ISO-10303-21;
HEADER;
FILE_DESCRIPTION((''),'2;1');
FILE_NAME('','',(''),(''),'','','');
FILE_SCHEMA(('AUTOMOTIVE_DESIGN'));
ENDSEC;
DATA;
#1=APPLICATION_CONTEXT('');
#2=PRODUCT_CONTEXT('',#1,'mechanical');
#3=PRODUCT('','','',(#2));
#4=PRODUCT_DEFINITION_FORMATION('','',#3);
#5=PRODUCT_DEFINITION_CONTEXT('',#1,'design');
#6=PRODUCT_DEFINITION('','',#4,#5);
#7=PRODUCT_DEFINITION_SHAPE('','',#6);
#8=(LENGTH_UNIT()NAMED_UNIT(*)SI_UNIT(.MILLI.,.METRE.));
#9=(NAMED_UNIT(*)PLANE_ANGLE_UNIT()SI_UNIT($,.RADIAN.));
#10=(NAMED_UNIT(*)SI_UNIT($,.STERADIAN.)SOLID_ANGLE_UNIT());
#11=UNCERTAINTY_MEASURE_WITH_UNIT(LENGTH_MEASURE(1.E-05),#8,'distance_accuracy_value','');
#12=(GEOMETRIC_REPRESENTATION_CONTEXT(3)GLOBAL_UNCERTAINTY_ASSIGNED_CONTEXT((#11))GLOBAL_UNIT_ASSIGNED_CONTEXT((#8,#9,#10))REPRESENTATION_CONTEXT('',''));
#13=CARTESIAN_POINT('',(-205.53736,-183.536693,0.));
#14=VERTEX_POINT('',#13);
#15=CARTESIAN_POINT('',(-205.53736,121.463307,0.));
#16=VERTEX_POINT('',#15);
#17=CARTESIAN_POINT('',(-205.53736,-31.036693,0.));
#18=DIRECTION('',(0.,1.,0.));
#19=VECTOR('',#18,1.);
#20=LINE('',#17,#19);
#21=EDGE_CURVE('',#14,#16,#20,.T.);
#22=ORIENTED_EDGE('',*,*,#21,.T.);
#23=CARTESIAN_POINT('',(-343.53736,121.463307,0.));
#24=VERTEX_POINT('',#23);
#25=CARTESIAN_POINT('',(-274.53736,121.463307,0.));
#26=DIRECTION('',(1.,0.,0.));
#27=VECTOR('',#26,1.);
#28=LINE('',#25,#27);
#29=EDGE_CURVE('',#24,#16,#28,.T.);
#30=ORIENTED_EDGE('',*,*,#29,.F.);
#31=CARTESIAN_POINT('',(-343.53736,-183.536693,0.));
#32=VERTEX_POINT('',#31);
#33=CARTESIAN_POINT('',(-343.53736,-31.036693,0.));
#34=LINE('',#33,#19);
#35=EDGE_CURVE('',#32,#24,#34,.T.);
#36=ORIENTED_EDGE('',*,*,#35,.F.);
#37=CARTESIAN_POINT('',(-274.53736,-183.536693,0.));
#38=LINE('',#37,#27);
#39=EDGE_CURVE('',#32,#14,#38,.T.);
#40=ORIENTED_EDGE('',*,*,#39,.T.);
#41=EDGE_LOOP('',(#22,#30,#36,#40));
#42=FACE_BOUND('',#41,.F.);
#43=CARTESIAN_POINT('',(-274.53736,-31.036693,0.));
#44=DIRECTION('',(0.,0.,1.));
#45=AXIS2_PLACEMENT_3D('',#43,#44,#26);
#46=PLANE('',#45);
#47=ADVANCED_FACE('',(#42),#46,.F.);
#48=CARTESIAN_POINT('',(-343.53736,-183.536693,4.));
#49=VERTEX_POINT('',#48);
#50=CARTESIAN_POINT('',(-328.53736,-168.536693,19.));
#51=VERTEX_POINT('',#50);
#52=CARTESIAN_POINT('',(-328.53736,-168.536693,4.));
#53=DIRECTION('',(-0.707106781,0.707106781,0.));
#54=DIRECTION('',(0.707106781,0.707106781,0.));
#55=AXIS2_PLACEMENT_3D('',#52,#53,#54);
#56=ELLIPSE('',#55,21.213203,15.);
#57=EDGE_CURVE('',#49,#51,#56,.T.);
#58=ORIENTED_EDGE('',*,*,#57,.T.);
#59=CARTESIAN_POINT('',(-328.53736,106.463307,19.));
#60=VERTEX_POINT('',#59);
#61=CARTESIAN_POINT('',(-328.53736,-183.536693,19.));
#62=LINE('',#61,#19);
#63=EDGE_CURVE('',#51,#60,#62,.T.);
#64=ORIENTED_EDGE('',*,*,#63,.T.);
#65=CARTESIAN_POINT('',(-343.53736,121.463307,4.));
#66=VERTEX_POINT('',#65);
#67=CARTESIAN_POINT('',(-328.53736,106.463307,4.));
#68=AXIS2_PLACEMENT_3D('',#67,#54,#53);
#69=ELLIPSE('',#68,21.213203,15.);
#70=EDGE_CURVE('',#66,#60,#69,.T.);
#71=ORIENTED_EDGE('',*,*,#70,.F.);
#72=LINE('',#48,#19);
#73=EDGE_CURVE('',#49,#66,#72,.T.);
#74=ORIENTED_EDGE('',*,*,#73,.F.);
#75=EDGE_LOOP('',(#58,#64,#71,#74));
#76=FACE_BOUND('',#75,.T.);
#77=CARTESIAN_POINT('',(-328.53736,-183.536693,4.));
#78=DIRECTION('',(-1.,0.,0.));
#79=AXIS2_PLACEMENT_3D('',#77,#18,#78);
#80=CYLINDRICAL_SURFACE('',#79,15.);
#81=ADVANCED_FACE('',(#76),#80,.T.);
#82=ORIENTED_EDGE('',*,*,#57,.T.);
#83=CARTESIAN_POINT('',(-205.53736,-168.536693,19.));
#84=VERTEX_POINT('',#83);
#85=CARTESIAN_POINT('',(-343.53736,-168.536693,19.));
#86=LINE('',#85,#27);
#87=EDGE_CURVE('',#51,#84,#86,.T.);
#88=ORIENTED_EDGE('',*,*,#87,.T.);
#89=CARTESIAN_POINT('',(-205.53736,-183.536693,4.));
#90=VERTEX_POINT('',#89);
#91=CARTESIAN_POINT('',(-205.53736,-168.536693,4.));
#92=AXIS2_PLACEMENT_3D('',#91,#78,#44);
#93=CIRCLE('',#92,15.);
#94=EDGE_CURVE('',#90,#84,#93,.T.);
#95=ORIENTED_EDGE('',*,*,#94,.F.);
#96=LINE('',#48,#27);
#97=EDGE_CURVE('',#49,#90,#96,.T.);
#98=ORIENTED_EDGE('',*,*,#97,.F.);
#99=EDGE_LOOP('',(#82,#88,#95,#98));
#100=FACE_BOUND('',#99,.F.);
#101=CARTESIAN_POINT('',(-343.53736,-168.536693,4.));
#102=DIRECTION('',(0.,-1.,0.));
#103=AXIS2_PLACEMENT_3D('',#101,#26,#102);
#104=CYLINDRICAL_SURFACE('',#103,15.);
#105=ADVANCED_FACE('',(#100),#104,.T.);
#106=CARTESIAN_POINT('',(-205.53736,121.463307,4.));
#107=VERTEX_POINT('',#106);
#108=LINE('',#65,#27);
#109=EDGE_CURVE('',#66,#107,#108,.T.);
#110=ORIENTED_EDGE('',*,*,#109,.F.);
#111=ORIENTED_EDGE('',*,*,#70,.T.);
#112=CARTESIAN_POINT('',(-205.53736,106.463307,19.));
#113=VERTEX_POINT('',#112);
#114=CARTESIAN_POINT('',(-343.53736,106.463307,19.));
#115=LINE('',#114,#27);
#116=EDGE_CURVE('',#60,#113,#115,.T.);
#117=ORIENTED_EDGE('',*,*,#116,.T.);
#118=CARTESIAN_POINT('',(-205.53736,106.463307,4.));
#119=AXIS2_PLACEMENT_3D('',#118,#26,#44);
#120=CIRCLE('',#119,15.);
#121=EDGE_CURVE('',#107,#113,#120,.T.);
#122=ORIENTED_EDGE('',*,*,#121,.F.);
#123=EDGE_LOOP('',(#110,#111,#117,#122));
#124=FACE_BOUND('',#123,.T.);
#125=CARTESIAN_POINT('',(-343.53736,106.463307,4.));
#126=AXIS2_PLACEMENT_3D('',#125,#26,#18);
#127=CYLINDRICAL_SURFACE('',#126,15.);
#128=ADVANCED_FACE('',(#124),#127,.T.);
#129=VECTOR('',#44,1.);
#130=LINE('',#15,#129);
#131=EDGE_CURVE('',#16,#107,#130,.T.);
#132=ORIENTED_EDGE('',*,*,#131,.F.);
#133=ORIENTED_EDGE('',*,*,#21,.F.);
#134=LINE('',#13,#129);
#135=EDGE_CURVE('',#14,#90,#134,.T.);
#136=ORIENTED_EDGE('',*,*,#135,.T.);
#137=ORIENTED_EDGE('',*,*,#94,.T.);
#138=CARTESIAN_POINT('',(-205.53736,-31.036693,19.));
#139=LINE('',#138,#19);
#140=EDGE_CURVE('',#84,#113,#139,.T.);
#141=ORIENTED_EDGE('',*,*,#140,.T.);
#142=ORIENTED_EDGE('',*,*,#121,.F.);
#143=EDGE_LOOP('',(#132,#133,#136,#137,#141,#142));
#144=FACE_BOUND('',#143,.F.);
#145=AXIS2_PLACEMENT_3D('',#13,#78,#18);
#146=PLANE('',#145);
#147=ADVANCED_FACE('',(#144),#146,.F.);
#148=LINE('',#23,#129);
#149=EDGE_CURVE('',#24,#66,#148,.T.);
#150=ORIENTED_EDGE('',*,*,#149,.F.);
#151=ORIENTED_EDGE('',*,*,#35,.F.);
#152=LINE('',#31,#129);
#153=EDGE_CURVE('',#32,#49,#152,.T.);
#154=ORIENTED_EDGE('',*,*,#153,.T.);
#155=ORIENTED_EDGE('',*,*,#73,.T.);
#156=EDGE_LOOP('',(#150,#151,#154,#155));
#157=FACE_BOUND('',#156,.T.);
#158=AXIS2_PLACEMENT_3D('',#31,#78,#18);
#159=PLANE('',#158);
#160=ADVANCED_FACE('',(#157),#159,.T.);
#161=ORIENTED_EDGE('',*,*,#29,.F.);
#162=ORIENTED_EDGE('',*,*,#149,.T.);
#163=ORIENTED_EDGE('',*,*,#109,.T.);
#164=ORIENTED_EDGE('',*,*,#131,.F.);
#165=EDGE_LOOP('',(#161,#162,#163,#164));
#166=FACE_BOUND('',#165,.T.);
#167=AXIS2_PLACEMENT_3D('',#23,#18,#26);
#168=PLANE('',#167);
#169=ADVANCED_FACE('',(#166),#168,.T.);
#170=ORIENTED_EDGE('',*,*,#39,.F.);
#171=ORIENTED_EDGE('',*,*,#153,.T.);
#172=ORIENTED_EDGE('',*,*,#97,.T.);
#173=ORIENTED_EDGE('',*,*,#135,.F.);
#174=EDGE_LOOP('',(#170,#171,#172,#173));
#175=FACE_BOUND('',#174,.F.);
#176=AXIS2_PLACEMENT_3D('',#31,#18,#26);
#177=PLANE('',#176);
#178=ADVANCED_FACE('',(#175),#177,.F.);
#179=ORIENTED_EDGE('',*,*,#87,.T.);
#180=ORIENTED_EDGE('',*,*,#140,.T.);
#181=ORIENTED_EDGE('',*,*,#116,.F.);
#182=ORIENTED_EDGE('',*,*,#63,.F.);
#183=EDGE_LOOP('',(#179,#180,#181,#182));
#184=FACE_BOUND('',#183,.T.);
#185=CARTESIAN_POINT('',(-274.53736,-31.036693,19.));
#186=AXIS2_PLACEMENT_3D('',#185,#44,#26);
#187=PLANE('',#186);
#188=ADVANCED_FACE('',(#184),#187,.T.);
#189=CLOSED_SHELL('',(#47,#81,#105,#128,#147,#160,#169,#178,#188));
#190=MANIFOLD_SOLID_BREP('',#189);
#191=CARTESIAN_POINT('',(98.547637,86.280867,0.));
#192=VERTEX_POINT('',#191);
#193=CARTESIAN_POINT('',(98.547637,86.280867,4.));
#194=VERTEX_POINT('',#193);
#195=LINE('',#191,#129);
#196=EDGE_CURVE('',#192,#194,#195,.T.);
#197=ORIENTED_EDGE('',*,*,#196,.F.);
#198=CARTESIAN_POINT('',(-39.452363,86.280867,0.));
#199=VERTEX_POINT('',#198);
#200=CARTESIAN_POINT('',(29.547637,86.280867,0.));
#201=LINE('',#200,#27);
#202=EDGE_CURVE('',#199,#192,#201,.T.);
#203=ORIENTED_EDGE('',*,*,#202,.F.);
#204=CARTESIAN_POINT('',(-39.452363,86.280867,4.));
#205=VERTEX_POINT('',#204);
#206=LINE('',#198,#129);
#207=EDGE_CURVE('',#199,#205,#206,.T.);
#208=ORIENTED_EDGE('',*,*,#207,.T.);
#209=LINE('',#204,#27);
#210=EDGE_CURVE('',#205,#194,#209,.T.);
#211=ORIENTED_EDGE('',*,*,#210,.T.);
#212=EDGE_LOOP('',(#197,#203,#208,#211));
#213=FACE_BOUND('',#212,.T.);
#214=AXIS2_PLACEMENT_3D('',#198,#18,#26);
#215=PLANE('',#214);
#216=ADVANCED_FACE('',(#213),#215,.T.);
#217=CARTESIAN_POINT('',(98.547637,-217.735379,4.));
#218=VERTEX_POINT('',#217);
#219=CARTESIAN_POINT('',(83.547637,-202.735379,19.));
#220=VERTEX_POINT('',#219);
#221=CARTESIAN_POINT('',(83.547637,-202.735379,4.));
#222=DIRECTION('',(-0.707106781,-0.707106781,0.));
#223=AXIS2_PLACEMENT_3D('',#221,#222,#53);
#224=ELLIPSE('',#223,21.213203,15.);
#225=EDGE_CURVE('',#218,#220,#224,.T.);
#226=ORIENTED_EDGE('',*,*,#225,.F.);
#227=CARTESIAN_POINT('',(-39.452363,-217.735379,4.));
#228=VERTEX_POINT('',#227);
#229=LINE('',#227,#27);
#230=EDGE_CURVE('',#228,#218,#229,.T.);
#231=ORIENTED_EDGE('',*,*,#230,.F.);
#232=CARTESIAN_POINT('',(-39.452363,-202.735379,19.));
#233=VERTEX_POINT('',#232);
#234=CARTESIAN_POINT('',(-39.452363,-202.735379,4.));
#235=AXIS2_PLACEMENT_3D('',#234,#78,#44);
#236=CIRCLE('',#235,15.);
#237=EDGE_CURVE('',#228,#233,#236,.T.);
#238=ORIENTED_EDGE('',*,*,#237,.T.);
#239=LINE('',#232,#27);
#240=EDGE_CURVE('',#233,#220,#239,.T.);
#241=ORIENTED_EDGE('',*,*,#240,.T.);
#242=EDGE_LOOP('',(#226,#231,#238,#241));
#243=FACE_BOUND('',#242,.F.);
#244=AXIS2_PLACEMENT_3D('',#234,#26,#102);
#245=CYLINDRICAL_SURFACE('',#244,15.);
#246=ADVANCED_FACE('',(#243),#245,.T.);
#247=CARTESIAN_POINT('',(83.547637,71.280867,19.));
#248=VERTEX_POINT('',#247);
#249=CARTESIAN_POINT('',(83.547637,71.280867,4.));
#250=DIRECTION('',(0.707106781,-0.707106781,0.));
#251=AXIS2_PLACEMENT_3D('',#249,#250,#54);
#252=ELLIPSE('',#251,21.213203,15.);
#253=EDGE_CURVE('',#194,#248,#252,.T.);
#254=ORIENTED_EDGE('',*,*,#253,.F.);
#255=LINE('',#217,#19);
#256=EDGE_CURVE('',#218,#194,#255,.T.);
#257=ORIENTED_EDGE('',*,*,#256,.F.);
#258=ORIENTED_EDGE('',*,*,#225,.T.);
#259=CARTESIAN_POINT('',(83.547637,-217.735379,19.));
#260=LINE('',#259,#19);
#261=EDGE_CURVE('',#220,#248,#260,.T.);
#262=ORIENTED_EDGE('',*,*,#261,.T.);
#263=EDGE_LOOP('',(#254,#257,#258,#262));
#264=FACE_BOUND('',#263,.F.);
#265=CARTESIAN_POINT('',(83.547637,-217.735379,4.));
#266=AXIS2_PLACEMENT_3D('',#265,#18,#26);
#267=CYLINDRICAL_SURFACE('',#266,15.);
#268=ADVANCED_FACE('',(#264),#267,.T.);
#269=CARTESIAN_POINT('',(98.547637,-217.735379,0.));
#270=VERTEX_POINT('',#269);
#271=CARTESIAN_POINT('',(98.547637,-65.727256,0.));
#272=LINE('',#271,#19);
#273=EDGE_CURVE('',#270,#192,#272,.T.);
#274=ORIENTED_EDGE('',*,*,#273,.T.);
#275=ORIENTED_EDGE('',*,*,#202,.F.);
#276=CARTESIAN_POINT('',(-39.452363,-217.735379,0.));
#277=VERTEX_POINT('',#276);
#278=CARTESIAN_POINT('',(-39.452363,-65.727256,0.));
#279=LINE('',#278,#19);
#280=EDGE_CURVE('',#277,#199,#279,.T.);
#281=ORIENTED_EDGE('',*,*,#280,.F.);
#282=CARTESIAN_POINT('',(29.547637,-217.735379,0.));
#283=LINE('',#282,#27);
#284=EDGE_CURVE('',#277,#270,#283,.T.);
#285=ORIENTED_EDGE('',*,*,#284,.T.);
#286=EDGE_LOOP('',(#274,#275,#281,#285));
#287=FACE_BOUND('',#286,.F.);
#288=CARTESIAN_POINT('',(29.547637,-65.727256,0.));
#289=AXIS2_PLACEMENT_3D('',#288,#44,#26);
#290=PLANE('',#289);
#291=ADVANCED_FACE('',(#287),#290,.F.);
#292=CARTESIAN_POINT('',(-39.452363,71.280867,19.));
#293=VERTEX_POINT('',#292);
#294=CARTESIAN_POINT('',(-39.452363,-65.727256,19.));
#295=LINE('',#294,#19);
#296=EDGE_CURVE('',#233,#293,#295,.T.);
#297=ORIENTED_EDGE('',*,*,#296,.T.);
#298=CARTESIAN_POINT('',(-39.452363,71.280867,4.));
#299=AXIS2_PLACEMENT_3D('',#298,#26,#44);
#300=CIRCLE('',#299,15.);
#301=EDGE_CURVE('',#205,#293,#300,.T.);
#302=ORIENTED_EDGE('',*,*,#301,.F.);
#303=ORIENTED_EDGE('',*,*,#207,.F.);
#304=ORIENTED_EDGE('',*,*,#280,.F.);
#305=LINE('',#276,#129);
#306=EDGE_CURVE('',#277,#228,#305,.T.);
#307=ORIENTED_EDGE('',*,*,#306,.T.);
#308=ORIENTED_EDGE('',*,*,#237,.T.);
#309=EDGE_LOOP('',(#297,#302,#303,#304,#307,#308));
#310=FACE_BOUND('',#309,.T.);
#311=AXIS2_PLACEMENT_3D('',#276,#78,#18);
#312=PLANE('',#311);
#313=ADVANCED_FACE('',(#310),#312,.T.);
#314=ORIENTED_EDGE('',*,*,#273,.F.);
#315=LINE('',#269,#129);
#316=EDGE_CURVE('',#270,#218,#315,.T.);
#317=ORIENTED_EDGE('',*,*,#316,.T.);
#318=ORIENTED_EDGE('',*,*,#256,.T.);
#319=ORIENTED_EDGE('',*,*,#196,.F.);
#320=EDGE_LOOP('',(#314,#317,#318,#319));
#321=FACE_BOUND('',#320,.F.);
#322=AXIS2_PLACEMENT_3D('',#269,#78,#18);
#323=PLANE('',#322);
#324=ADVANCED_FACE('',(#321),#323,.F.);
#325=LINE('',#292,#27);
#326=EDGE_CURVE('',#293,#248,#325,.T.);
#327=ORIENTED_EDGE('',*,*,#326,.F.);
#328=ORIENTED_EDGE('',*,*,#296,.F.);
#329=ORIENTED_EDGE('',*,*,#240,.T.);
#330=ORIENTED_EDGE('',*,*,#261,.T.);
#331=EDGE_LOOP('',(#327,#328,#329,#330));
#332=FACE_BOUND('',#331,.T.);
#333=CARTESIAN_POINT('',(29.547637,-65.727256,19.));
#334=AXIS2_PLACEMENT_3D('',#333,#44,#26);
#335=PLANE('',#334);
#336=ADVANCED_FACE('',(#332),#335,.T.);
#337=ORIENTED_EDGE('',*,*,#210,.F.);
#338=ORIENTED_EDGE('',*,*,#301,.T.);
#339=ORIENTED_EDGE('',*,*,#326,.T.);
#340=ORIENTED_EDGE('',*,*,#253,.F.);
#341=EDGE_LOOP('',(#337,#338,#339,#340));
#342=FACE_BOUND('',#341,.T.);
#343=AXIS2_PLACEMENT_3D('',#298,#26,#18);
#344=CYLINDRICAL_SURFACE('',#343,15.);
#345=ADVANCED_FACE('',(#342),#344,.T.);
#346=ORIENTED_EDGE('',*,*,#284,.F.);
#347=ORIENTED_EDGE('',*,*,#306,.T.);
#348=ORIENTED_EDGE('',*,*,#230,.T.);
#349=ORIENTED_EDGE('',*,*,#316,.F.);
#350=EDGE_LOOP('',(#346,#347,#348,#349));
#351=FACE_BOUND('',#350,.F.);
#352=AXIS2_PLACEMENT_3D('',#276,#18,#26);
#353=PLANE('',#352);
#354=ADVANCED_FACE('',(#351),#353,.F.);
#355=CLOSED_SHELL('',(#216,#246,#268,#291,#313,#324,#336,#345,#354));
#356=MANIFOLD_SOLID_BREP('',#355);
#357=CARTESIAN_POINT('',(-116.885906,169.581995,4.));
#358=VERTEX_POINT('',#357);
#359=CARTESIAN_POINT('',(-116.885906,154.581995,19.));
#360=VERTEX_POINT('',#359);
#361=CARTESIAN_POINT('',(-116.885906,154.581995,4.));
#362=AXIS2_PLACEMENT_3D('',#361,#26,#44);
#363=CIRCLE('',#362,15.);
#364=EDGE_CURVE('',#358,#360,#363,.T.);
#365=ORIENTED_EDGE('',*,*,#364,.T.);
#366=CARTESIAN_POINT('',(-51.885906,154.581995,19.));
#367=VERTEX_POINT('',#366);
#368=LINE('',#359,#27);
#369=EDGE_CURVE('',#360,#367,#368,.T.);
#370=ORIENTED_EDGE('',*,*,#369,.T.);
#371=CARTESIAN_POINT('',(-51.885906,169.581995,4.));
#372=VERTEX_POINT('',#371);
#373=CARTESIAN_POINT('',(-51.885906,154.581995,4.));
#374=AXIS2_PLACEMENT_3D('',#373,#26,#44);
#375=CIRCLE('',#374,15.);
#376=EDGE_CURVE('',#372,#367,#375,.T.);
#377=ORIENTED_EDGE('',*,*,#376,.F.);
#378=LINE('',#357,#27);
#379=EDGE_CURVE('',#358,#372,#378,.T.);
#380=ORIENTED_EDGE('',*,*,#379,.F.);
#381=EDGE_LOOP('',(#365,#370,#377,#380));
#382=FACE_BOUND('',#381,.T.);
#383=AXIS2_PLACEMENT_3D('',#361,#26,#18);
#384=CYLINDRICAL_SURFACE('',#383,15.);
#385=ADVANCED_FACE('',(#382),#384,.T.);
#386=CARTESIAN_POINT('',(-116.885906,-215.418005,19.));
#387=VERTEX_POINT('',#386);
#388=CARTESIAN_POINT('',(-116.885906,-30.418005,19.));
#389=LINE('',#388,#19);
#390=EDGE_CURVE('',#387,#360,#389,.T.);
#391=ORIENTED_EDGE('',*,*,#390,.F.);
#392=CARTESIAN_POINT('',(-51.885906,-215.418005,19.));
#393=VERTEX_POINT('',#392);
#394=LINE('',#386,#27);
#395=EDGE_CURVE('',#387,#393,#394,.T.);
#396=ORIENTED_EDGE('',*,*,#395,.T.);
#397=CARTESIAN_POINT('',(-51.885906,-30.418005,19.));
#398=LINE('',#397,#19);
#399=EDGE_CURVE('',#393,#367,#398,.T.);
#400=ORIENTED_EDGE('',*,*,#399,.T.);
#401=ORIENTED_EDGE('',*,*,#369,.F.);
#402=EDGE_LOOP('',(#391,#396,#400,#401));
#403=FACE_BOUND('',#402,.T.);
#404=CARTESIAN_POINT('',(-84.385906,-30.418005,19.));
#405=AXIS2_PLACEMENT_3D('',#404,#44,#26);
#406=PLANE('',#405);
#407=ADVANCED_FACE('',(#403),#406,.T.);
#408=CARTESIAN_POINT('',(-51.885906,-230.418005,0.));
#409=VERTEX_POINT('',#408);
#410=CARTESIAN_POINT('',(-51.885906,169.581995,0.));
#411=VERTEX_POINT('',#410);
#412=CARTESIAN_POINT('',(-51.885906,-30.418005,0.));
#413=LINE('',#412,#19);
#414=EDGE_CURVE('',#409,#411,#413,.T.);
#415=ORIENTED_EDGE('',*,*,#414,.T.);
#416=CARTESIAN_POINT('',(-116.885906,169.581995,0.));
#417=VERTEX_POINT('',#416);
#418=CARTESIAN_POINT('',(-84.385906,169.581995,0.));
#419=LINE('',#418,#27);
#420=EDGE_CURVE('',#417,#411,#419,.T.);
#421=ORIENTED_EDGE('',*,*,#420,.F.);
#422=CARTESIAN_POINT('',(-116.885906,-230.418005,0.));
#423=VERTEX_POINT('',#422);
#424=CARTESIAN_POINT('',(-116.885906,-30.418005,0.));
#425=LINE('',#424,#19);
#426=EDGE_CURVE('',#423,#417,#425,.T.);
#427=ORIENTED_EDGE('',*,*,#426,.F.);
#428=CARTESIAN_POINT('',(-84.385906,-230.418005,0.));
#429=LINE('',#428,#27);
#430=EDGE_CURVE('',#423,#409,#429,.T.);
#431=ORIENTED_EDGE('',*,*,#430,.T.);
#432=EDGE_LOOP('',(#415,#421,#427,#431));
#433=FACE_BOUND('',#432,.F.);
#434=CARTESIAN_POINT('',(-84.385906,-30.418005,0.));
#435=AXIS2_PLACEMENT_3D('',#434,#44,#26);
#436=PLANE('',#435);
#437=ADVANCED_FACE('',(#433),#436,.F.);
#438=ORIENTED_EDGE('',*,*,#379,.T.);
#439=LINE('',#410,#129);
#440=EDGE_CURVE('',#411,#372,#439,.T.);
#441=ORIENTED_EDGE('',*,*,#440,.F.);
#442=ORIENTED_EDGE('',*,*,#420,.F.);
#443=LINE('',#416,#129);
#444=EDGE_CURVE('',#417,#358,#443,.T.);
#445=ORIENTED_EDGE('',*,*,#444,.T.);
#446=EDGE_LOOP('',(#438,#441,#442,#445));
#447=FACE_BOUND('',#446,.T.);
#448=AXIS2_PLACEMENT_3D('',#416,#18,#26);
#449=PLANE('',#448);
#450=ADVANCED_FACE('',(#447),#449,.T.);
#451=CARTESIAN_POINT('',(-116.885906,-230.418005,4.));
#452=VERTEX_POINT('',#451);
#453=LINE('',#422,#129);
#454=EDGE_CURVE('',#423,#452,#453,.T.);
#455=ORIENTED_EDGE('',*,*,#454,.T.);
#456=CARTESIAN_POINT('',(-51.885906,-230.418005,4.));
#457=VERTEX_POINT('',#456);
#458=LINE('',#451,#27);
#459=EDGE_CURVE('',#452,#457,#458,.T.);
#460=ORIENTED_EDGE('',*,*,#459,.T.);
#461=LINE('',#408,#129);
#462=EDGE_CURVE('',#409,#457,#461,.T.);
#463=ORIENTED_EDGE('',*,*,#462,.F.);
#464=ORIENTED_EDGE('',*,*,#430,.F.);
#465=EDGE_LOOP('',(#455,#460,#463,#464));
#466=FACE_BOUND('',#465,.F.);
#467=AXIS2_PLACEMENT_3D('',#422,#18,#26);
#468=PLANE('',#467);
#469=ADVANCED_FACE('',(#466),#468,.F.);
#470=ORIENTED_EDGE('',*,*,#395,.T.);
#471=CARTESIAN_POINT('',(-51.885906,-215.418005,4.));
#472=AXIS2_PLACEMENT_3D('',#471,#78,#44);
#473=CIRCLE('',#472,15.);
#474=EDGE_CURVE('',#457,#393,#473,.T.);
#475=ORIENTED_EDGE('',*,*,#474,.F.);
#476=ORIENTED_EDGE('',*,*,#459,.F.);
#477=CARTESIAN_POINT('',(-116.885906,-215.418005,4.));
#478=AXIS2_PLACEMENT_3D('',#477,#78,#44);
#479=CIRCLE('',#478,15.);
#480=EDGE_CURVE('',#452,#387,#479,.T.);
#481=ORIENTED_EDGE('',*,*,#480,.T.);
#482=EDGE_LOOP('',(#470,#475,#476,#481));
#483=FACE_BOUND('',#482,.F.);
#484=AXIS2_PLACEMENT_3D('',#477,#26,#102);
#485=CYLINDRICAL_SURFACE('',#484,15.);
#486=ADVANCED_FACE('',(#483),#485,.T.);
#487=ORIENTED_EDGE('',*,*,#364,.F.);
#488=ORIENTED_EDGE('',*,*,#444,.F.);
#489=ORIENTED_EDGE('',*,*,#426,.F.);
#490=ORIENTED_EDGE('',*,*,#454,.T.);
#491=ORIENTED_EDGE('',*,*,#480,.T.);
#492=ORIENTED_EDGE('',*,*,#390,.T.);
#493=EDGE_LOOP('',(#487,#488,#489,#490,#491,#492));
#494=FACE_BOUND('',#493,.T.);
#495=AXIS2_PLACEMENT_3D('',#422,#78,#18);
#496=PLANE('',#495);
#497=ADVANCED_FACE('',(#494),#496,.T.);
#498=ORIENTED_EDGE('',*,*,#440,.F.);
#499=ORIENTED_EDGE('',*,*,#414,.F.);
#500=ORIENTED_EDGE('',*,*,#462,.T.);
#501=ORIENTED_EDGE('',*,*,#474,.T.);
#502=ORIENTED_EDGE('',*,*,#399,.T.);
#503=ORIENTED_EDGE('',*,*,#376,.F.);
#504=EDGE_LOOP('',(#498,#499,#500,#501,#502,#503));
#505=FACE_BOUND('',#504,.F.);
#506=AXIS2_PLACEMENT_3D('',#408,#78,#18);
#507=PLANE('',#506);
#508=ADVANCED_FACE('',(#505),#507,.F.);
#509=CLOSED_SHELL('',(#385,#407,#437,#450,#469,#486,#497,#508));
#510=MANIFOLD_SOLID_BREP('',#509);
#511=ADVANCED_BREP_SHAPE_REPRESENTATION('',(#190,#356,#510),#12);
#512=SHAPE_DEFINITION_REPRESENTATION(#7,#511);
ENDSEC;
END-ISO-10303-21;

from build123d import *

# Parameters (mm, degrees)
F0_W     = 65
F0_H     = 400
F1_DEPTH = 19
F2_W     = 138
F2_H     = 304.016247
F3_DEPTH = 19
F4_W     = 138
F4_H     = 305
F5_DEPTH = 19
F6_R     = 15
F6_2_R   = 15
F6_3_R   = 15


with BuildPart() as f1:
    # F0 (on Top) → F1 (new body)
    with BuildSketch(Plane.XY):
        with Locations((-84.385906, -30.418005)):
            Rectangle(F0_W, F0_H)
    extrude(amount=F1_DEPTH)

    # F6
    f6_edges = [f1.edges().sort_by_distance(p)[0] for p in [
        (-84.385906, -230.418005, 19),
        (-84.385906, 169.581995, 19),
    ]]
    fillet(f6_edges, radius=F6_R)


with BuildPart() as f3:
    # F2 (on Top) → F3 (new body)
    with BuildSketch(Plane.XY):
        with Locations((29.547637, -65.727256)):
            Rectangle(F2_W, F2_H)
    extrude(amount=F3_DEPTH)

    # F6#3
    f6_3_edges = [f3.edges().sort_by_distance(p)[0] for p in [
        (29.547637, 86.280867, 19),
        (98.547637, -65.727256, 19),
        (29.547637, -217.73538, 19),
    ]]
    fillet(f6_3_edges, radius=F6_3_R)


with BuildPart() as f5:
    # F4 (on Top) → F5 (new body)
    with BuildSketch(Plane.XY):
        with Locations((-274.53736, -31.036693)):
            Rectangle(F4_W, F4_H)
    extrude(amount=F5_DEPTH)

    # F6#2
    f6_2_edges = [f5.edges().sort_by_distance(p)[0] for p in [
        (-274.53736, -183.536693, 19),
        (-343.53736, -31.036693, 19),
        (-274.53736, 121.463307, 19),
    ]]
    fillet(f6_2_edges, radius=F6_2_R)


solid = Compound([f1.part, f3.part, f5.part])
